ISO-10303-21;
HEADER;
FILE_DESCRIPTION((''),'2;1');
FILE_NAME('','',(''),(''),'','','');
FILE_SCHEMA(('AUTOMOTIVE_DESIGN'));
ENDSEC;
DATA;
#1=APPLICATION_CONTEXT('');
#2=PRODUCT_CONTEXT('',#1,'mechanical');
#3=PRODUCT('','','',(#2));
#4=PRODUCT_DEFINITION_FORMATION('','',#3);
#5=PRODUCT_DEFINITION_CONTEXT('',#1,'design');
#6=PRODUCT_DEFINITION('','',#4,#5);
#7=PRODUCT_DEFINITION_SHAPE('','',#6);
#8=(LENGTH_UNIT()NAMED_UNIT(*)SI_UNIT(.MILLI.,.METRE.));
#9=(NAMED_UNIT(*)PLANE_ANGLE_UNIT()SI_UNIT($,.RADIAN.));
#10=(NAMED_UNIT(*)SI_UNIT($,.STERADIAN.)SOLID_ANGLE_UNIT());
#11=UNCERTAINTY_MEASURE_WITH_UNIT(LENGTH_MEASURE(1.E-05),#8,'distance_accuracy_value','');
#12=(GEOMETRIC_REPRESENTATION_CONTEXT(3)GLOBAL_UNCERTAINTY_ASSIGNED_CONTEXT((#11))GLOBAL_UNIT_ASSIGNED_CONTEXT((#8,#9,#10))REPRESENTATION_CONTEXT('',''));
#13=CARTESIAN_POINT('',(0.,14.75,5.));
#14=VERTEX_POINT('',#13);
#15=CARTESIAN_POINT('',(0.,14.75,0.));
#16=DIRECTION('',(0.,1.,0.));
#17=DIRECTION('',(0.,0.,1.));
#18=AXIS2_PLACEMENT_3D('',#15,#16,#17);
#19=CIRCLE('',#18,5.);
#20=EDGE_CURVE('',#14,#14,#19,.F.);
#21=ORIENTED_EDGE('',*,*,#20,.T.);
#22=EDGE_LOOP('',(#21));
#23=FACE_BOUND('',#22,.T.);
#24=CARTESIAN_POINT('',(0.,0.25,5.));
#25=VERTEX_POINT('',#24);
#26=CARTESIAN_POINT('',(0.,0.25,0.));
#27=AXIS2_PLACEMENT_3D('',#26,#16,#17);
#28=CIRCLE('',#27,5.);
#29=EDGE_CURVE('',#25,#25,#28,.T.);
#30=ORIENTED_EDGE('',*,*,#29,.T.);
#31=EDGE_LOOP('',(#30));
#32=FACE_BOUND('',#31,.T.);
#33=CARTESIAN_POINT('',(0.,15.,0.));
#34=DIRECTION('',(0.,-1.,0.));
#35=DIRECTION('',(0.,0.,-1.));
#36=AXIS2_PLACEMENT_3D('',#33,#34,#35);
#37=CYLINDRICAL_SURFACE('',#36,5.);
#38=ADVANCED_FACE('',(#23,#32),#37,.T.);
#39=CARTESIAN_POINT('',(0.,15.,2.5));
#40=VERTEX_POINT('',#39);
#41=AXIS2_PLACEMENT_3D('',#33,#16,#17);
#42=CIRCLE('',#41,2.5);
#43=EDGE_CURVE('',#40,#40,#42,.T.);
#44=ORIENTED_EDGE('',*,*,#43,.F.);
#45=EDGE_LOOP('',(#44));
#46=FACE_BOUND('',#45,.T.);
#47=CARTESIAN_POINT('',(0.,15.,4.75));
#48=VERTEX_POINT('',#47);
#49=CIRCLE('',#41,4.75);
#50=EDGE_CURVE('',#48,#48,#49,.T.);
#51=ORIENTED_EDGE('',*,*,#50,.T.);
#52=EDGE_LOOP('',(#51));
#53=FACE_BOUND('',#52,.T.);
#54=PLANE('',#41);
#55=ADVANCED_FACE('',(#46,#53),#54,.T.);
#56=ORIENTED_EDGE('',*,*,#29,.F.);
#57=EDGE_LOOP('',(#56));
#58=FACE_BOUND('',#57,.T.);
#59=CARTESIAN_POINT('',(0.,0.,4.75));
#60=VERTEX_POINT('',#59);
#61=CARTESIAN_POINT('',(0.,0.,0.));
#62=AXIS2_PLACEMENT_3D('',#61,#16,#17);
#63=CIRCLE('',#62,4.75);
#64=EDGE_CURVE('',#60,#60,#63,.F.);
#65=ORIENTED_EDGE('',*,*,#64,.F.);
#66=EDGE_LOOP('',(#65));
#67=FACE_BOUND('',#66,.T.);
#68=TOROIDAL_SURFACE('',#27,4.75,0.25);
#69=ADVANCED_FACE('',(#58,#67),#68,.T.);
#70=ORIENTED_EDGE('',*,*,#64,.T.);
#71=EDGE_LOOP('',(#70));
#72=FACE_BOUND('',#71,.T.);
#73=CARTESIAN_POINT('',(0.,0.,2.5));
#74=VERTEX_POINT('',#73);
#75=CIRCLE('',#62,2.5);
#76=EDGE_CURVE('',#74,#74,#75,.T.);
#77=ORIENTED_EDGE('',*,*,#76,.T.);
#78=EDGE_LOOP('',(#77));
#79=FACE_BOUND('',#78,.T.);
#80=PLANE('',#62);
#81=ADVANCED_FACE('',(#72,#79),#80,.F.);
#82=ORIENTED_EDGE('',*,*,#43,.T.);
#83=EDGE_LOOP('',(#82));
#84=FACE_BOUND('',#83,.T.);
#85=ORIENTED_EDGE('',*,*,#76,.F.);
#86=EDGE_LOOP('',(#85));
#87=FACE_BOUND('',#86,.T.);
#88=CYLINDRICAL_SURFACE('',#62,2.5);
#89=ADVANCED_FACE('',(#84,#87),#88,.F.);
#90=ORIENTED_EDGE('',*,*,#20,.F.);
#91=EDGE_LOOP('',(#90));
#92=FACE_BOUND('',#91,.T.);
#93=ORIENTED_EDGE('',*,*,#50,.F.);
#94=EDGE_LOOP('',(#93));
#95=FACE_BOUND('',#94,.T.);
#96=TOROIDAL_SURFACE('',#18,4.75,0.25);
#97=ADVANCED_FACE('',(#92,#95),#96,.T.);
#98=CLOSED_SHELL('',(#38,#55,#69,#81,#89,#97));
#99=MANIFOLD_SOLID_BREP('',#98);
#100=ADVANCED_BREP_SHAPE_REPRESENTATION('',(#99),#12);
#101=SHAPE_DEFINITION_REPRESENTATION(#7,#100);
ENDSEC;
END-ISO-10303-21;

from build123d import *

# Parameters (mm, degrees)
SKETCH1_R           = 5
BOSS_EXTRUDE1_DEPTH = 15
SKETCH2_R           = 2.5
CUT_EXTRUDE1_DEPTH  = 15
FILLET1_R           = 0.25


with BuildPart() as part:
    # Sketch1 → Boss-Extrude1 (new body)
    with BuildSketch(Plane(origin=(0, 0, 0), x_dir=(1, 0, 0), z_dir=(0, 1, 0))):
        Circle(SKETCH1_R)
    extrude(amount=BOSS_EXTRUDE1_DEPTH)

    # Sketch2 → Cut-Extrude1 (cut)
    with BuildSketch(Plane(origin=(0, 15, 0), x_dir=(1, 0, 0), z_dir=(0, 1, 0))):
        Circle(SKETCH2_R)
    extrude(amount=-CUT_EXTRUDE1_DEPTH, mode=Mode.SUBTRACT)

    # Fillet1
    fillet1_edges = [part.edges().sort_by_distance(p)[0] for p in [
        (-5, 0, 0),
        (-5, 15, 0),
    ]]
    fillet(fillet1_edges, radius=FILLET1_R)


solid = part.part
